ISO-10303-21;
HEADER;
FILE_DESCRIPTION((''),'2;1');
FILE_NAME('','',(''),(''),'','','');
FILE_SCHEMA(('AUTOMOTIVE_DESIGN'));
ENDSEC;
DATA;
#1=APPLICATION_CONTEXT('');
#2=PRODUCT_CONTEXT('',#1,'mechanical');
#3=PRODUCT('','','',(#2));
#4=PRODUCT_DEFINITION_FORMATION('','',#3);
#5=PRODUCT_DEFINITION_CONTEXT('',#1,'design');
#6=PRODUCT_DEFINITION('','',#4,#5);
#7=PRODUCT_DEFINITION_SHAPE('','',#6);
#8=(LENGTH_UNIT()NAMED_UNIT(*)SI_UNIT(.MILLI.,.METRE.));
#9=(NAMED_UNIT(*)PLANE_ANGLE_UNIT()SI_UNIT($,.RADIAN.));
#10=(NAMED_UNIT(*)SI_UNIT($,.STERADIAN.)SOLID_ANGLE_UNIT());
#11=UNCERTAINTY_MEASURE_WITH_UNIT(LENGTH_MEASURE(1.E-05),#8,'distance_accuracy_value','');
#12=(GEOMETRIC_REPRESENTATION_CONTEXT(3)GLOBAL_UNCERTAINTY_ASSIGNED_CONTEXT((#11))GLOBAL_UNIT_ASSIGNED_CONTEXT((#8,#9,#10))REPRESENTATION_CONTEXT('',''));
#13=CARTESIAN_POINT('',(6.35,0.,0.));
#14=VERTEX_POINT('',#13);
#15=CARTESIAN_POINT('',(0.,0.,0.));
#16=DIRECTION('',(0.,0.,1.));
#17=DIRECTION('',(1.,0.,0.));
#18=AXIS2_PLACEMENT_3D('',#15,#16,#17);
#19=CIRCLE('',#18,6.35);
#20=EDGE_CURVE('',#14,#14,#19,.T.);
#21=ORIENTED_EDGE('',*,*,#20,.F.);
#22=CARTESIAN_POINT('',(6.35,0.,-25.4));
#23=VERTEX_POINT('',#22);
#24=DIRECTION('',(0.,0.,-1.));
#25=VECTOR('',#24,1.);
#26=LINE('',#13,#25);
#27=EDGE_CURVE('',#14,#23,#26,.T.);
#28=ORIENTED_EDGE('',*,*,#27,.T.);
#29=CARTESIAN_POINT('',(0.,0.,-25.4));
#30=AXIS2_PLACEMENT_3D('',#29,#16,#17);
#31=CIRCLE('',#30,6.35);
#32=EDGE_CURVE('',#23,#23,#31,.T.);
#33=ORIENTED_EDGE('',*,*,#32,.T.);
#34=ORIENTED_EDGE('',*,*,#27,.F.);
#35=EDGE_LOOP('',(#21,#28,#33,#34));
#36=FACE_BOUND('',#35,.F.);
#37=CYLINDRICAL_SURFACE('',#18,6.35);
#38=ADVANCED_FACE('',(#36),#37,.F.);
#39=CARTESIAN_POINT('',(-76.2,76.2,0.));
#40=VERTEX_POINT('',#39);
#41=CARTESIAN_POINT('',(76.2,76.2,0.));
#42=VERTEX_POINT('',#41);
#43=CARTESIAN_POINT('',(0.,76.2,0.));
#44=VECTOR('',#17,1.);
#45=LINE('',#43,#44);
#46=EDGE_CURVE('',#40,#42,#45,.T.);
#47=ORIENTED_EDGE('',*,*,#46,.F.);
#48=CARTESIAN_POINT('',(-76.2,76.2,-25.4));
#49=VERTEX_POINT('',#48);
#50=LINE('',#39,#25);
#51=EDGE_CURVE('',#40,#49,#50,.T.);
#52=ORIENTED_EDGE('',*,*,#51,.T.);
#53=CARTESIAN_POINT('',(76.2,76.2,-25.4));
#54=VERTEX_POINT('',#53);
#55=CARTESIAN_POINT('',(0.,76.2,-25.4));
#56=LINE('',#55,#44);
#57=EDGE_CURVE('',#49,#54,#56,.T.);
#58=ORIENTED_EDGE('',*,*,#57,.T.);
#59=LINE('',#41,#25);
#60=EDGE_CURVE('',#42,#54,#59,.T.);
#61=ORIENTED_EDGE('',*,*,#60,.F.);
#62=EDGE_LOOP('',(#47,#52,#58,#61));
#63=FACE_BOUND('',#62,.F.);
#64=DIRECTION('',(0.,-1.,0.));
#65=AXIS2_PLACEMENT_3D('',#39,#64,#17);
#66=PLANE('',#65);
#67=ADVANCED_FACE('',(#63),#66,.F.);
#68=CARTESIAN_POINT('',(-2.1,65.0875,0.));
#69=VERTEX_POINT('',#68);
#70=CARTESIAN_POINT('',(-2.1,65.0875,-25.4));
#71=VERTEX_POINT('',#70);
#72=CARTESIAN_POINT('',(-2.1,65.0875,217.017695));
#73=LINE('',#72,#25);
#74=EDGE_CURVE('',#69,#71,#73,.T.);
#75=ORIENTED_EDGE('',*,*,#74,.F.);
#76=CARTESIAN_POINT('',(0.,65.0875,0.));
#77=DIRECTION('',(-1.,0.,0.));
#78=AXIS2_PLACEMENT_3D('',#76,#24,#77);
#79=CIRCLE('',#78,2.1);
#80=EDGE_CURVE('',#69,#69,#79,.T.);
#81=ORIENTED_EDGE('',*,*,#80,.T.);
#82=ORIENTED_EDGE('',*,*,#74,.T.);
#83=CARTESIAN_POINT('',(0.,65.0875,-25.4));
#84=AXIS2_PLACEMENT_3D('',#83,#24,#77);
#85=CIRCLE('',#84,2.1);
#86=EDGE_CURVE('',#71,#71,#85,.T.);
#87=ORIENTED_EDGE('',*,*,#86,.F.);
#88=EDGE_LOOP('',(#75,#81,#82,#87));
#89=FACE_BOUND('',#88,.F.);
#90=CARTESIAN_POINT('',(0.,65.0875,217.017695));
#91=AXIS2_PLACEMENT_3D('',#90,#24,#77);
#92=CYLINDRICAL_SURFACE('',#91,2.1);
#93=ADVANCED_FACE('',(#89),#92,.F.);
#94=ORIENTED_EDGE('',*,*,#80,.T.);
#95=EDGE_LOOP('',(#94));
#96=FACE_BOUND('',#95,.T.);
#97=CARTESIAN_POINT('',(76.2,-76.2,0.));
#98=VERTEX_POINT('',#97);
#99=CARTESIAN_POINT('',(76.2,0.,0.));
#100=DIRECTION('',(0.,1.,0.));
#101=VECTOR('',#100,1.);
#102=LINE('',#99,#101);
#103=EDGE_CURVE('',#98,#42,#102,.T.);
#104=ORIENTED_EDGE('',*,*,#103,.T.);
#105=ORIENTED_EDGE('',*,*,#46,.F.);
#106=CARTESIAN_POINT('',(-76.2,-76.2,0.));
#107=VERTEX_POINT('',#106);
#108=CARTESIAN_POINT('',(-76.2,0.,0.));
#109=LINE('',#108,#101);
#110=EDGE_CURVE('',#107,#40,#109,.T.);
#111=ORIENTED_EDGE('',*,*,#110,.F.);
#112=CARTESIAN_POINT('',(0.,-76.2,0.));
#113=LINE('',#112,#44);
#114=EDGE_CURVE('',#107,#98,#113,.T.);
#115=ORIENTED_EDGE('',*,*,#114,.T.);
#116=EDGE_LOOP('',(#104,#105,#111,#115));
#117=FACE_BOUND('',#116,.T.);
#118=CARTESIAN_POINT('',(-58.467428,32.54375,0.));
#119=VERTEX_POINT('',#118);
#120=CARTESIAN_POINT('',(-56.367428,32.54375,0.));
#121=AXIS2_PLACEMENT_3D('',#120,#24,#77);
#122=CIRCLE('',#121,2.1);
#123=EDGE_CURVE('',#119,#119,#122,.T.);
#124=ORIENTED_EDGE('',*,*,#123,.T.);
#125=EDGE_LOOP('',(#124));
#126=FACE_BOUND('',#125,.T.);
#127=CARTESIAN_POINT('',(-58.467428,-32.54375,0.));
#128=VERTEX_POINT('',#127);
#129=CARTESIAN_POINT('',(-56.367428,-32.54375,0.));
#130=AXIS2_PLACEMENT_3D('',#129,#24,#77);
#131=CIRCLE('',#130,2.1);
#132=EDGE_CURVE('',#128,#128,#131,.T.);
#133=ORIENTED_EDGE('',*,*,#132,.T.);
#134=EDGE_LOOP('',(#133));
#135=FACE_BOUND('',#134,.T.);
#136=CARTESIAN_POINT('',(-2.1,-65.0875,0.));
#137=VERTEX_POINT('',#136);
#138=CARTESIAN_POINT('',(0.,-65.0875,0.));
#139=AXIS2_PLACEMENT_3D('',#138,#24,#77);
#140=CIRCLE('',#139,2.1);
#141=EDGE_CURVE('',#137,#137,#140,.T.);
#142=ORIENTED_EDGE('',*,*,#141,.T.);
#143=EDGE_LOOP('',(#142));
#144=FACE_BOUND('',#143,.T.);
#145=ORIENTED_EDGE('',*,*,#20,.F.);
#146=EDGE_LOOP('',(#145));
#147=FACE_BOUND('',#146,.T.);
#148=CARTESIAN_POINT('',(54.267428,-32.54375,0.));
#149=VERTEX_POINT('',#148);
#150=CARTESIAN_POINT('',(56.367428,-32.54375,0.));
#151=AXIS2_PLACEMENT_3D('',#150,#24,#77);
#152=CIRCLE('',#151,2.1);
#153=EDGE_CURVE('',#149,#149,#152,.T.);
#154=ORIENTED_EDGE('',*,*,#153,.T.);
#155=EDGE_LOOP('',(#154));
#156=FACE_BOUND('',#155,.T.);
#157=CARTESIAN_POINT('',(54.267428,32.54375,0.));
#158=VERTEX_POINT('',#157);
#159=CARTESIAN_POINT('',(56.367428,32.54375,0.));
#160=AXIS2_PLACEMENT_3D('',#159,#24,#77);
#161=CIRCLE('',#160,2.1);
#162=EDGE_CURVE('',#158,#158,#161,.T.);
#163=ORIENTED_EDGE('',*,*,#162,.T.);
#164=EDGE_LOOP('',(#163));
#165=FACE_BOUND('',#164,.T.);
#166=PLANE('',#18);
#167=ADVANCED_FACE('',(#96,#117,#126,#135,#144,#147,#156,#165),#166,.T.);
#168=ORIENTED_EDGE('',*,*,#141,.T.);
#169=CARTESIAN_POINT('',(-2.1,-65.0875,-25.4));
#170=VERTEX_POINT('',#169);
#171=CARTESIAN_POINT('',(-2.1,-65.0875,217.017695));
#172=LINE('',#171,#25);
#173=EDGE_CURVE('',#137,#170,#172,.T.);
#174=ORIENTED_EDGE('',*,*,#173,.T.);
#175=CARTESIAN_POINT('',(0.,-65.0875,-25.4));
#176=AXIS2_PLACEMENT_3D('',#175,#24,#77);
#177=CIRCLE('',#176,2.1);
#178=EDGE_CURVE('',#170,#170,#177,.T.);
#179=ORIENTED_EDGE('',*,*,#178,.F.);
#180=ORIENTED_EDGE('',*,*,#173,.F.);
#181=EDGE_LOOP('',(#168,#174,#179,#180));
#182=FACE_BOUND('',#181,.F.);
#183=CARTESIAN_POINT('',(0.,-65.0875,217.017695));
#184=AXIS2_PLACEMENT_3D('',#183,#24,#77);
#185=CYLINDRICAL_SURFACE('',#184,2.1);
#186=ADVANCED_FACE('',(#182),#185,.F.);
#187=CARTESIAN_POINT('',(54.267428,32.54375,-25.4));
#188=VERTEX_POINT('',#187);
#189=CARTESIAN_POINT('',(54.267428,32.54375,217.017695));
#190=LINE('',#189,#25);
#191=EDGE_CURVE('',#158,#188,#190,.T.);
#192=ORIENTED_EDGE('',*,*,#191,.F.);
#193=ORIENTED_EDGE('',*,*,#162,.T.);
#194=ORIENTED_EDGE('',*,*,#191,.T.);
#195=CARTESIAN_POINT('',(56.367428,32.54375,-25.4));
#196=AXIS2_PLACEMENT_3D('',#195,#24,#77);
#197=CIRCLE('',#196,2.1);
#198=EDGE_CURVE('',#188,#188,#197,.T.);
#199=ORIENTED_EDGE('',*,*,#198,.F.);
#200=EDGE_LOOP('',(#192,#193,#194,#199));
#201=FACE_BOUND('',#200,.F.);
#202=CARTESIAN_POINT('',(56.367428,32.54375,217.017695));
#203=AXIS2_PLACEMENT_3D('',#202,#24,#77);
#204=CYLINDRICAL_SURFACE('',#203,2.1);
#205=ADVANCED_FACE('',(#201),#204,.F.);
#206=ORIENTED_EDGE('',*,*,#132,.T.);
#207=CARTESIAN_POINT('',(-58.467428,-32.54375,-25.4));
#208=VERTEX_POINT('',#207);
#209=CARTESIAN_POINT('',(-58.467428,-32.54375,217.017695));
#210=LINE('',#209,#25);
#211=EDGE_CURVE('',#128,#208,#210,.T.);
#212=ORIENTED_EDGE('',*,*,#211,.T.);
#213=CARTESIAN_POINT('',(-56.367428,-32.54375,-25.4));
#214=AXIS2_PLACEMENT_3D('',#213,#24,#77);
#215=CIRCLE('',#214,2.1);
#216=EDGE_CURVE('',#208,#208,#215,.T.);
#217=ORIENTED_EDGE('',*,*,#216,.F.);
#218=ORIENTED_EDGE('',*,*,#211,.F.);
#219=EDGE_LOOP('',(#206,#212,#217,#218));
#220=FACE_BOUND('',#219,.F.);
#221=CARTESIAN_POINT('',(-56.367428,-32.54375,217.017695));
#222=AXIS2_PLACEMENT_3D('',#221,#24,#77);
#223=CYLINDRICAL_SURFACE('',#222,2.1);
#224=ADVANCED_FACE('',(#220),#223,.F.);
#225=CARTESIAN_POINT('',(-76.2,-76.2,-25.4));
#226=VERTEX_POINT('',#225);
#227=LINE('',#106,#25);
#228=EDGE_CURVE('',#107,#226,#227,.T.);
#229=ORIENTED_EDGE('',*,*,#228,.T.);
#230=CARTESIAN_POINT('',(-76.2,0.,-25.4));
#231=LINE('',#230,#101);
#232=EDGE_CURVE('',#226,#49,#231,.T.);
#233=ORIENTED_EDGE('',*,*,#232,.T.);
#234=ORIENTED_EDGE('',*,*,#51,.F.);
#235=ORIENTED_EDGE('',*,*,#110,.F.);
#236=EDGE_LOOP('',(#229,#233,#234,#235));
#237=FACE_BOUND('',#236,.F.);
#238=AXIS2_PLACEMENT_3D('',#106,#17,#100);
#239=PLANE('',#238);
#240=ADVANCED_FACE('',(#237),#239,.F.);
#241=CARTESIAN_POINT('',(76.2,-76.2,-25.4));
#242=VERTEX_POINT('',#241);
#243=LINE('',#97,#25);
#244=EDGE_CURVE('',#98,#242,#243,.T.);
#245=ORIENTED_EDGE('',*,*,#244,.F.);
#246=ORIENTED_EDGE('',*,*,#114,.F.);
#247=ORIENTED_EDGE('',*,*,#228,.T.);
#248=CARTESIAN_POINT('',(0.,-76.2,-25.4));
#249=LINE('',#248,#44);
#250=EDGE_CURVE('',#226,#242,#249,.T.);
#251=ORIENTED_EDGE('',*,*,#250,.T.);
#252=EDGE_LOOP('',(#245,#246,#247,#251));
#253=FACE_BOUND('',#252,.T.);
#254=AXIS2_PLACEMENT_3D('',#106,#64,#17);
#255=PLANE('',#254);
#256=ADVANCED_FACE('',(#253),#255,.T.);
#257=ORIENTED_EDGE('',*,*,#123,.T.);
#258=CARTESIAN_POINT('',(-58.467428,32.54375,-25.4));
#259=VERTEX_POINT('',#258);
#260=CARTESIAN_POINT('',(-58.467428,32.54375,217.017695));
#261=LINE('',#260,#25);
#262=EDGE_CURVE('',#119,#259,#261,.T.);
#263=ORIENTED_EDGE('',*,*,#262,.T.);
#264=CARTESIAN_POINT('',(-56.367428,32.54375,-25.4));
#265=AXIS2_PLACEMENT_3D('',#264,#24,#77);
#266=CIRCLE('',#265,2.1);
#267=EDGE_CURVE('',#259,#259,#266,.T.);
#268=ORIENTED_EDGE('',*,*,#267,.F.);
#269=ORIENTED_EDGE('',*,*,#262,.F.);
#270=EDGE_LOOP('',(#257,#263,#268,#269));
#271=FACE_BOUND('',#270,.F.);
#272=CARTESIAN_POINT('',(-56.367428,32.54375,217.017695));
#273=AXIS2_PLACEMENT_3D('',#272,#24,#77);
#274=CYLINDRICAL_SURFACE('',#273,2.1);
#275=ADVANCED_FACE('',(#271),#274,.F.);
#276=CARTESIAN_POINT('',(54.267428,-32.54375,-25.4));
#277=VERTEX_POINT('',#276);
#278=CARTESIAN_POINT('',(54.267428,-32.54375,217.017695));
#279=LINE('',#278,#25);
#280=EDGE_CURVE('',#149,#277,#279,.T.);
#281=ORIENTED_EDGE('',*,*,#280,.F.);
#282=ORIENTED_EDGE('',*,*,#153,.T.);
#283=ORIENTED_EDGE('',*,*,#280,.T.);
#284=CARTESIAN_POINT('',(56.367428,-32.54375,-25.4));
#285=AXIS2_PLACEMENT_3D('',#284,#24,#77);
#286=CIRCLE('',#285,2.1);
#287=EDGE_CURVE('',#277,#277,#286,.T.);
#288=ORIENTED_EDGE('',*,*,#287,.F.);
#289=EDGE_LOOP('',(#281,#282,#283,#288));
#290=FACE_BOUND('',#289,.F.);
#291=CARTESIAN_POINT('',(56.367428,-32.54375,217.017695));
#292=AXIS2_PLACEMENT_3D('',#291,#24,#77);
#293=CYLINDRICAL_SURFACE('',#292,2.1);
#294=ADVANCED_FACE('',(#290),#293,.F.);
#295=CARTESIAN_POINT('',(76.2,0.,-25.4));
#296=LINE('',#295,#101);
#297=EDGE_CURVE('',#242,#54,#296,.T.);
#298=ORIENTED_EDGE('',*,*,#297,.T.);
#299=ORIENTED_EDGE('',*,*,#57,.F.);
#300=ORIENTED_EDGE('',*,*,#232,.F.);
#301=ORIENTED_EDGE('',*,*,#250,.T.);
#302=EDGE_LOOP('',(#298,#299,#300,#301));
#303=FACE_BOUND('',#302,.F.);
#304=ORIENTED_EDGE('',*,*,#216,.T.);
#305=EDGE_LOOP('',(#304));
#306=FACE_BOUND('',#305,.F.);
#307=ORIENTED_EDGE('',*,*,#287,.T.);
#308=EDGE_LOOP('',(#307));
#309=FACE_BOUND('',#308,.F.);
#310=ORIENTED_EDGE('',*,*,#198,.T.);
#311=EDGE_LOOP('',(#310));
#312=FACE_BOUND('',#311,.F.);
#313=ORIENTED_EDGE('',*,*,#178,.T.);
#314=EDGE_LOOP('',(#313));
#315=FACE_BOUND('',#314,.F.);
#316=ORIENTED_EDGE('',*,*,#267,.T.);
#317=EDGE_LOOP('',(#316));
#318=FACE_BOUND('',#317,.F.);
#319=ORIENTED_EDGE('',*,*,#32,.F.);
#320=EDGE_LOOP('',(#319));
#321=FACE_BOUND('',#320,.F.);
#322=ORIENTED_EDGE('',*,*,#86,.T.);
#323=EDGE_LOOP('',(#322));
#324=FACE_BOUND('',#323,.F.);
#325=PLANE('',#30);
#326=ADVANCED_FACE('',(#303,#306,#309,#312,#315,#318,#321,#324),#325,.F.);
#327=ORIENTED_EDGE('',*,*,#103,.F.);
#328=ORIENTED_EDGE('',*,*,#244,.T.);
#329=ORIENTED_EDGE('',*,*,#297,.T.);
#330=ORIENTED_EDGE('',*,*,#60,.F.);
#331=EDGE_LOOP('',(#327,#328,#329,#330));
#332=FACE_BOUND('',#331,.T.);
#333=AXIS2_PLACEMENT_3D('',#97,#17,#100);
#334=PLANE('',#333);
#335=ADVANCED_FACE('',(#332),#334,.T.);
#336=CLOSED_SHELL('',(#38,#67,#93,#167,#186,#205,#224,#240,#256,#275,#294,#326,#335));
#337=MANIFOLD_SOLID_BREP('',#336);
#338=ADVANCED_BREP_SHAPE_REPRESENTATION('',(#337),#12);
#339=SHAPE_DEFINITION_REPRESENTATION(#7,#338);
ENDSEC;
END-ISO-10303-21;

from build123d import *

# Parameters (mm, degrees)
F0_W     = 152.4
F0_H     = 152.4
F0_R     = 6.35
F1_DEPTH = 25.4
F2_D     = 4.2


with BuildPart() as f1:
    # F0 (on Top) → F1 (new body)
    with BuildSketch(Plane.XY):
        Rectangle(F0_W, F0_H)
        Circle(F0_R, mode=Mode.SUBTRACT)
    extrude(amount=-F1_DEPTH)

    # F2 (through all)
    with Locations(Plane.XY):
        with Locations((0, 65.0875), (-56.3674284688, 32.54375), (-56.3674284688, -32.54375), (0, -65.0875), (56.3674284688, -32.54375), (56.3674284688, 32.54375)):
            Hole(F2_D / 2)


solid = f1.part
